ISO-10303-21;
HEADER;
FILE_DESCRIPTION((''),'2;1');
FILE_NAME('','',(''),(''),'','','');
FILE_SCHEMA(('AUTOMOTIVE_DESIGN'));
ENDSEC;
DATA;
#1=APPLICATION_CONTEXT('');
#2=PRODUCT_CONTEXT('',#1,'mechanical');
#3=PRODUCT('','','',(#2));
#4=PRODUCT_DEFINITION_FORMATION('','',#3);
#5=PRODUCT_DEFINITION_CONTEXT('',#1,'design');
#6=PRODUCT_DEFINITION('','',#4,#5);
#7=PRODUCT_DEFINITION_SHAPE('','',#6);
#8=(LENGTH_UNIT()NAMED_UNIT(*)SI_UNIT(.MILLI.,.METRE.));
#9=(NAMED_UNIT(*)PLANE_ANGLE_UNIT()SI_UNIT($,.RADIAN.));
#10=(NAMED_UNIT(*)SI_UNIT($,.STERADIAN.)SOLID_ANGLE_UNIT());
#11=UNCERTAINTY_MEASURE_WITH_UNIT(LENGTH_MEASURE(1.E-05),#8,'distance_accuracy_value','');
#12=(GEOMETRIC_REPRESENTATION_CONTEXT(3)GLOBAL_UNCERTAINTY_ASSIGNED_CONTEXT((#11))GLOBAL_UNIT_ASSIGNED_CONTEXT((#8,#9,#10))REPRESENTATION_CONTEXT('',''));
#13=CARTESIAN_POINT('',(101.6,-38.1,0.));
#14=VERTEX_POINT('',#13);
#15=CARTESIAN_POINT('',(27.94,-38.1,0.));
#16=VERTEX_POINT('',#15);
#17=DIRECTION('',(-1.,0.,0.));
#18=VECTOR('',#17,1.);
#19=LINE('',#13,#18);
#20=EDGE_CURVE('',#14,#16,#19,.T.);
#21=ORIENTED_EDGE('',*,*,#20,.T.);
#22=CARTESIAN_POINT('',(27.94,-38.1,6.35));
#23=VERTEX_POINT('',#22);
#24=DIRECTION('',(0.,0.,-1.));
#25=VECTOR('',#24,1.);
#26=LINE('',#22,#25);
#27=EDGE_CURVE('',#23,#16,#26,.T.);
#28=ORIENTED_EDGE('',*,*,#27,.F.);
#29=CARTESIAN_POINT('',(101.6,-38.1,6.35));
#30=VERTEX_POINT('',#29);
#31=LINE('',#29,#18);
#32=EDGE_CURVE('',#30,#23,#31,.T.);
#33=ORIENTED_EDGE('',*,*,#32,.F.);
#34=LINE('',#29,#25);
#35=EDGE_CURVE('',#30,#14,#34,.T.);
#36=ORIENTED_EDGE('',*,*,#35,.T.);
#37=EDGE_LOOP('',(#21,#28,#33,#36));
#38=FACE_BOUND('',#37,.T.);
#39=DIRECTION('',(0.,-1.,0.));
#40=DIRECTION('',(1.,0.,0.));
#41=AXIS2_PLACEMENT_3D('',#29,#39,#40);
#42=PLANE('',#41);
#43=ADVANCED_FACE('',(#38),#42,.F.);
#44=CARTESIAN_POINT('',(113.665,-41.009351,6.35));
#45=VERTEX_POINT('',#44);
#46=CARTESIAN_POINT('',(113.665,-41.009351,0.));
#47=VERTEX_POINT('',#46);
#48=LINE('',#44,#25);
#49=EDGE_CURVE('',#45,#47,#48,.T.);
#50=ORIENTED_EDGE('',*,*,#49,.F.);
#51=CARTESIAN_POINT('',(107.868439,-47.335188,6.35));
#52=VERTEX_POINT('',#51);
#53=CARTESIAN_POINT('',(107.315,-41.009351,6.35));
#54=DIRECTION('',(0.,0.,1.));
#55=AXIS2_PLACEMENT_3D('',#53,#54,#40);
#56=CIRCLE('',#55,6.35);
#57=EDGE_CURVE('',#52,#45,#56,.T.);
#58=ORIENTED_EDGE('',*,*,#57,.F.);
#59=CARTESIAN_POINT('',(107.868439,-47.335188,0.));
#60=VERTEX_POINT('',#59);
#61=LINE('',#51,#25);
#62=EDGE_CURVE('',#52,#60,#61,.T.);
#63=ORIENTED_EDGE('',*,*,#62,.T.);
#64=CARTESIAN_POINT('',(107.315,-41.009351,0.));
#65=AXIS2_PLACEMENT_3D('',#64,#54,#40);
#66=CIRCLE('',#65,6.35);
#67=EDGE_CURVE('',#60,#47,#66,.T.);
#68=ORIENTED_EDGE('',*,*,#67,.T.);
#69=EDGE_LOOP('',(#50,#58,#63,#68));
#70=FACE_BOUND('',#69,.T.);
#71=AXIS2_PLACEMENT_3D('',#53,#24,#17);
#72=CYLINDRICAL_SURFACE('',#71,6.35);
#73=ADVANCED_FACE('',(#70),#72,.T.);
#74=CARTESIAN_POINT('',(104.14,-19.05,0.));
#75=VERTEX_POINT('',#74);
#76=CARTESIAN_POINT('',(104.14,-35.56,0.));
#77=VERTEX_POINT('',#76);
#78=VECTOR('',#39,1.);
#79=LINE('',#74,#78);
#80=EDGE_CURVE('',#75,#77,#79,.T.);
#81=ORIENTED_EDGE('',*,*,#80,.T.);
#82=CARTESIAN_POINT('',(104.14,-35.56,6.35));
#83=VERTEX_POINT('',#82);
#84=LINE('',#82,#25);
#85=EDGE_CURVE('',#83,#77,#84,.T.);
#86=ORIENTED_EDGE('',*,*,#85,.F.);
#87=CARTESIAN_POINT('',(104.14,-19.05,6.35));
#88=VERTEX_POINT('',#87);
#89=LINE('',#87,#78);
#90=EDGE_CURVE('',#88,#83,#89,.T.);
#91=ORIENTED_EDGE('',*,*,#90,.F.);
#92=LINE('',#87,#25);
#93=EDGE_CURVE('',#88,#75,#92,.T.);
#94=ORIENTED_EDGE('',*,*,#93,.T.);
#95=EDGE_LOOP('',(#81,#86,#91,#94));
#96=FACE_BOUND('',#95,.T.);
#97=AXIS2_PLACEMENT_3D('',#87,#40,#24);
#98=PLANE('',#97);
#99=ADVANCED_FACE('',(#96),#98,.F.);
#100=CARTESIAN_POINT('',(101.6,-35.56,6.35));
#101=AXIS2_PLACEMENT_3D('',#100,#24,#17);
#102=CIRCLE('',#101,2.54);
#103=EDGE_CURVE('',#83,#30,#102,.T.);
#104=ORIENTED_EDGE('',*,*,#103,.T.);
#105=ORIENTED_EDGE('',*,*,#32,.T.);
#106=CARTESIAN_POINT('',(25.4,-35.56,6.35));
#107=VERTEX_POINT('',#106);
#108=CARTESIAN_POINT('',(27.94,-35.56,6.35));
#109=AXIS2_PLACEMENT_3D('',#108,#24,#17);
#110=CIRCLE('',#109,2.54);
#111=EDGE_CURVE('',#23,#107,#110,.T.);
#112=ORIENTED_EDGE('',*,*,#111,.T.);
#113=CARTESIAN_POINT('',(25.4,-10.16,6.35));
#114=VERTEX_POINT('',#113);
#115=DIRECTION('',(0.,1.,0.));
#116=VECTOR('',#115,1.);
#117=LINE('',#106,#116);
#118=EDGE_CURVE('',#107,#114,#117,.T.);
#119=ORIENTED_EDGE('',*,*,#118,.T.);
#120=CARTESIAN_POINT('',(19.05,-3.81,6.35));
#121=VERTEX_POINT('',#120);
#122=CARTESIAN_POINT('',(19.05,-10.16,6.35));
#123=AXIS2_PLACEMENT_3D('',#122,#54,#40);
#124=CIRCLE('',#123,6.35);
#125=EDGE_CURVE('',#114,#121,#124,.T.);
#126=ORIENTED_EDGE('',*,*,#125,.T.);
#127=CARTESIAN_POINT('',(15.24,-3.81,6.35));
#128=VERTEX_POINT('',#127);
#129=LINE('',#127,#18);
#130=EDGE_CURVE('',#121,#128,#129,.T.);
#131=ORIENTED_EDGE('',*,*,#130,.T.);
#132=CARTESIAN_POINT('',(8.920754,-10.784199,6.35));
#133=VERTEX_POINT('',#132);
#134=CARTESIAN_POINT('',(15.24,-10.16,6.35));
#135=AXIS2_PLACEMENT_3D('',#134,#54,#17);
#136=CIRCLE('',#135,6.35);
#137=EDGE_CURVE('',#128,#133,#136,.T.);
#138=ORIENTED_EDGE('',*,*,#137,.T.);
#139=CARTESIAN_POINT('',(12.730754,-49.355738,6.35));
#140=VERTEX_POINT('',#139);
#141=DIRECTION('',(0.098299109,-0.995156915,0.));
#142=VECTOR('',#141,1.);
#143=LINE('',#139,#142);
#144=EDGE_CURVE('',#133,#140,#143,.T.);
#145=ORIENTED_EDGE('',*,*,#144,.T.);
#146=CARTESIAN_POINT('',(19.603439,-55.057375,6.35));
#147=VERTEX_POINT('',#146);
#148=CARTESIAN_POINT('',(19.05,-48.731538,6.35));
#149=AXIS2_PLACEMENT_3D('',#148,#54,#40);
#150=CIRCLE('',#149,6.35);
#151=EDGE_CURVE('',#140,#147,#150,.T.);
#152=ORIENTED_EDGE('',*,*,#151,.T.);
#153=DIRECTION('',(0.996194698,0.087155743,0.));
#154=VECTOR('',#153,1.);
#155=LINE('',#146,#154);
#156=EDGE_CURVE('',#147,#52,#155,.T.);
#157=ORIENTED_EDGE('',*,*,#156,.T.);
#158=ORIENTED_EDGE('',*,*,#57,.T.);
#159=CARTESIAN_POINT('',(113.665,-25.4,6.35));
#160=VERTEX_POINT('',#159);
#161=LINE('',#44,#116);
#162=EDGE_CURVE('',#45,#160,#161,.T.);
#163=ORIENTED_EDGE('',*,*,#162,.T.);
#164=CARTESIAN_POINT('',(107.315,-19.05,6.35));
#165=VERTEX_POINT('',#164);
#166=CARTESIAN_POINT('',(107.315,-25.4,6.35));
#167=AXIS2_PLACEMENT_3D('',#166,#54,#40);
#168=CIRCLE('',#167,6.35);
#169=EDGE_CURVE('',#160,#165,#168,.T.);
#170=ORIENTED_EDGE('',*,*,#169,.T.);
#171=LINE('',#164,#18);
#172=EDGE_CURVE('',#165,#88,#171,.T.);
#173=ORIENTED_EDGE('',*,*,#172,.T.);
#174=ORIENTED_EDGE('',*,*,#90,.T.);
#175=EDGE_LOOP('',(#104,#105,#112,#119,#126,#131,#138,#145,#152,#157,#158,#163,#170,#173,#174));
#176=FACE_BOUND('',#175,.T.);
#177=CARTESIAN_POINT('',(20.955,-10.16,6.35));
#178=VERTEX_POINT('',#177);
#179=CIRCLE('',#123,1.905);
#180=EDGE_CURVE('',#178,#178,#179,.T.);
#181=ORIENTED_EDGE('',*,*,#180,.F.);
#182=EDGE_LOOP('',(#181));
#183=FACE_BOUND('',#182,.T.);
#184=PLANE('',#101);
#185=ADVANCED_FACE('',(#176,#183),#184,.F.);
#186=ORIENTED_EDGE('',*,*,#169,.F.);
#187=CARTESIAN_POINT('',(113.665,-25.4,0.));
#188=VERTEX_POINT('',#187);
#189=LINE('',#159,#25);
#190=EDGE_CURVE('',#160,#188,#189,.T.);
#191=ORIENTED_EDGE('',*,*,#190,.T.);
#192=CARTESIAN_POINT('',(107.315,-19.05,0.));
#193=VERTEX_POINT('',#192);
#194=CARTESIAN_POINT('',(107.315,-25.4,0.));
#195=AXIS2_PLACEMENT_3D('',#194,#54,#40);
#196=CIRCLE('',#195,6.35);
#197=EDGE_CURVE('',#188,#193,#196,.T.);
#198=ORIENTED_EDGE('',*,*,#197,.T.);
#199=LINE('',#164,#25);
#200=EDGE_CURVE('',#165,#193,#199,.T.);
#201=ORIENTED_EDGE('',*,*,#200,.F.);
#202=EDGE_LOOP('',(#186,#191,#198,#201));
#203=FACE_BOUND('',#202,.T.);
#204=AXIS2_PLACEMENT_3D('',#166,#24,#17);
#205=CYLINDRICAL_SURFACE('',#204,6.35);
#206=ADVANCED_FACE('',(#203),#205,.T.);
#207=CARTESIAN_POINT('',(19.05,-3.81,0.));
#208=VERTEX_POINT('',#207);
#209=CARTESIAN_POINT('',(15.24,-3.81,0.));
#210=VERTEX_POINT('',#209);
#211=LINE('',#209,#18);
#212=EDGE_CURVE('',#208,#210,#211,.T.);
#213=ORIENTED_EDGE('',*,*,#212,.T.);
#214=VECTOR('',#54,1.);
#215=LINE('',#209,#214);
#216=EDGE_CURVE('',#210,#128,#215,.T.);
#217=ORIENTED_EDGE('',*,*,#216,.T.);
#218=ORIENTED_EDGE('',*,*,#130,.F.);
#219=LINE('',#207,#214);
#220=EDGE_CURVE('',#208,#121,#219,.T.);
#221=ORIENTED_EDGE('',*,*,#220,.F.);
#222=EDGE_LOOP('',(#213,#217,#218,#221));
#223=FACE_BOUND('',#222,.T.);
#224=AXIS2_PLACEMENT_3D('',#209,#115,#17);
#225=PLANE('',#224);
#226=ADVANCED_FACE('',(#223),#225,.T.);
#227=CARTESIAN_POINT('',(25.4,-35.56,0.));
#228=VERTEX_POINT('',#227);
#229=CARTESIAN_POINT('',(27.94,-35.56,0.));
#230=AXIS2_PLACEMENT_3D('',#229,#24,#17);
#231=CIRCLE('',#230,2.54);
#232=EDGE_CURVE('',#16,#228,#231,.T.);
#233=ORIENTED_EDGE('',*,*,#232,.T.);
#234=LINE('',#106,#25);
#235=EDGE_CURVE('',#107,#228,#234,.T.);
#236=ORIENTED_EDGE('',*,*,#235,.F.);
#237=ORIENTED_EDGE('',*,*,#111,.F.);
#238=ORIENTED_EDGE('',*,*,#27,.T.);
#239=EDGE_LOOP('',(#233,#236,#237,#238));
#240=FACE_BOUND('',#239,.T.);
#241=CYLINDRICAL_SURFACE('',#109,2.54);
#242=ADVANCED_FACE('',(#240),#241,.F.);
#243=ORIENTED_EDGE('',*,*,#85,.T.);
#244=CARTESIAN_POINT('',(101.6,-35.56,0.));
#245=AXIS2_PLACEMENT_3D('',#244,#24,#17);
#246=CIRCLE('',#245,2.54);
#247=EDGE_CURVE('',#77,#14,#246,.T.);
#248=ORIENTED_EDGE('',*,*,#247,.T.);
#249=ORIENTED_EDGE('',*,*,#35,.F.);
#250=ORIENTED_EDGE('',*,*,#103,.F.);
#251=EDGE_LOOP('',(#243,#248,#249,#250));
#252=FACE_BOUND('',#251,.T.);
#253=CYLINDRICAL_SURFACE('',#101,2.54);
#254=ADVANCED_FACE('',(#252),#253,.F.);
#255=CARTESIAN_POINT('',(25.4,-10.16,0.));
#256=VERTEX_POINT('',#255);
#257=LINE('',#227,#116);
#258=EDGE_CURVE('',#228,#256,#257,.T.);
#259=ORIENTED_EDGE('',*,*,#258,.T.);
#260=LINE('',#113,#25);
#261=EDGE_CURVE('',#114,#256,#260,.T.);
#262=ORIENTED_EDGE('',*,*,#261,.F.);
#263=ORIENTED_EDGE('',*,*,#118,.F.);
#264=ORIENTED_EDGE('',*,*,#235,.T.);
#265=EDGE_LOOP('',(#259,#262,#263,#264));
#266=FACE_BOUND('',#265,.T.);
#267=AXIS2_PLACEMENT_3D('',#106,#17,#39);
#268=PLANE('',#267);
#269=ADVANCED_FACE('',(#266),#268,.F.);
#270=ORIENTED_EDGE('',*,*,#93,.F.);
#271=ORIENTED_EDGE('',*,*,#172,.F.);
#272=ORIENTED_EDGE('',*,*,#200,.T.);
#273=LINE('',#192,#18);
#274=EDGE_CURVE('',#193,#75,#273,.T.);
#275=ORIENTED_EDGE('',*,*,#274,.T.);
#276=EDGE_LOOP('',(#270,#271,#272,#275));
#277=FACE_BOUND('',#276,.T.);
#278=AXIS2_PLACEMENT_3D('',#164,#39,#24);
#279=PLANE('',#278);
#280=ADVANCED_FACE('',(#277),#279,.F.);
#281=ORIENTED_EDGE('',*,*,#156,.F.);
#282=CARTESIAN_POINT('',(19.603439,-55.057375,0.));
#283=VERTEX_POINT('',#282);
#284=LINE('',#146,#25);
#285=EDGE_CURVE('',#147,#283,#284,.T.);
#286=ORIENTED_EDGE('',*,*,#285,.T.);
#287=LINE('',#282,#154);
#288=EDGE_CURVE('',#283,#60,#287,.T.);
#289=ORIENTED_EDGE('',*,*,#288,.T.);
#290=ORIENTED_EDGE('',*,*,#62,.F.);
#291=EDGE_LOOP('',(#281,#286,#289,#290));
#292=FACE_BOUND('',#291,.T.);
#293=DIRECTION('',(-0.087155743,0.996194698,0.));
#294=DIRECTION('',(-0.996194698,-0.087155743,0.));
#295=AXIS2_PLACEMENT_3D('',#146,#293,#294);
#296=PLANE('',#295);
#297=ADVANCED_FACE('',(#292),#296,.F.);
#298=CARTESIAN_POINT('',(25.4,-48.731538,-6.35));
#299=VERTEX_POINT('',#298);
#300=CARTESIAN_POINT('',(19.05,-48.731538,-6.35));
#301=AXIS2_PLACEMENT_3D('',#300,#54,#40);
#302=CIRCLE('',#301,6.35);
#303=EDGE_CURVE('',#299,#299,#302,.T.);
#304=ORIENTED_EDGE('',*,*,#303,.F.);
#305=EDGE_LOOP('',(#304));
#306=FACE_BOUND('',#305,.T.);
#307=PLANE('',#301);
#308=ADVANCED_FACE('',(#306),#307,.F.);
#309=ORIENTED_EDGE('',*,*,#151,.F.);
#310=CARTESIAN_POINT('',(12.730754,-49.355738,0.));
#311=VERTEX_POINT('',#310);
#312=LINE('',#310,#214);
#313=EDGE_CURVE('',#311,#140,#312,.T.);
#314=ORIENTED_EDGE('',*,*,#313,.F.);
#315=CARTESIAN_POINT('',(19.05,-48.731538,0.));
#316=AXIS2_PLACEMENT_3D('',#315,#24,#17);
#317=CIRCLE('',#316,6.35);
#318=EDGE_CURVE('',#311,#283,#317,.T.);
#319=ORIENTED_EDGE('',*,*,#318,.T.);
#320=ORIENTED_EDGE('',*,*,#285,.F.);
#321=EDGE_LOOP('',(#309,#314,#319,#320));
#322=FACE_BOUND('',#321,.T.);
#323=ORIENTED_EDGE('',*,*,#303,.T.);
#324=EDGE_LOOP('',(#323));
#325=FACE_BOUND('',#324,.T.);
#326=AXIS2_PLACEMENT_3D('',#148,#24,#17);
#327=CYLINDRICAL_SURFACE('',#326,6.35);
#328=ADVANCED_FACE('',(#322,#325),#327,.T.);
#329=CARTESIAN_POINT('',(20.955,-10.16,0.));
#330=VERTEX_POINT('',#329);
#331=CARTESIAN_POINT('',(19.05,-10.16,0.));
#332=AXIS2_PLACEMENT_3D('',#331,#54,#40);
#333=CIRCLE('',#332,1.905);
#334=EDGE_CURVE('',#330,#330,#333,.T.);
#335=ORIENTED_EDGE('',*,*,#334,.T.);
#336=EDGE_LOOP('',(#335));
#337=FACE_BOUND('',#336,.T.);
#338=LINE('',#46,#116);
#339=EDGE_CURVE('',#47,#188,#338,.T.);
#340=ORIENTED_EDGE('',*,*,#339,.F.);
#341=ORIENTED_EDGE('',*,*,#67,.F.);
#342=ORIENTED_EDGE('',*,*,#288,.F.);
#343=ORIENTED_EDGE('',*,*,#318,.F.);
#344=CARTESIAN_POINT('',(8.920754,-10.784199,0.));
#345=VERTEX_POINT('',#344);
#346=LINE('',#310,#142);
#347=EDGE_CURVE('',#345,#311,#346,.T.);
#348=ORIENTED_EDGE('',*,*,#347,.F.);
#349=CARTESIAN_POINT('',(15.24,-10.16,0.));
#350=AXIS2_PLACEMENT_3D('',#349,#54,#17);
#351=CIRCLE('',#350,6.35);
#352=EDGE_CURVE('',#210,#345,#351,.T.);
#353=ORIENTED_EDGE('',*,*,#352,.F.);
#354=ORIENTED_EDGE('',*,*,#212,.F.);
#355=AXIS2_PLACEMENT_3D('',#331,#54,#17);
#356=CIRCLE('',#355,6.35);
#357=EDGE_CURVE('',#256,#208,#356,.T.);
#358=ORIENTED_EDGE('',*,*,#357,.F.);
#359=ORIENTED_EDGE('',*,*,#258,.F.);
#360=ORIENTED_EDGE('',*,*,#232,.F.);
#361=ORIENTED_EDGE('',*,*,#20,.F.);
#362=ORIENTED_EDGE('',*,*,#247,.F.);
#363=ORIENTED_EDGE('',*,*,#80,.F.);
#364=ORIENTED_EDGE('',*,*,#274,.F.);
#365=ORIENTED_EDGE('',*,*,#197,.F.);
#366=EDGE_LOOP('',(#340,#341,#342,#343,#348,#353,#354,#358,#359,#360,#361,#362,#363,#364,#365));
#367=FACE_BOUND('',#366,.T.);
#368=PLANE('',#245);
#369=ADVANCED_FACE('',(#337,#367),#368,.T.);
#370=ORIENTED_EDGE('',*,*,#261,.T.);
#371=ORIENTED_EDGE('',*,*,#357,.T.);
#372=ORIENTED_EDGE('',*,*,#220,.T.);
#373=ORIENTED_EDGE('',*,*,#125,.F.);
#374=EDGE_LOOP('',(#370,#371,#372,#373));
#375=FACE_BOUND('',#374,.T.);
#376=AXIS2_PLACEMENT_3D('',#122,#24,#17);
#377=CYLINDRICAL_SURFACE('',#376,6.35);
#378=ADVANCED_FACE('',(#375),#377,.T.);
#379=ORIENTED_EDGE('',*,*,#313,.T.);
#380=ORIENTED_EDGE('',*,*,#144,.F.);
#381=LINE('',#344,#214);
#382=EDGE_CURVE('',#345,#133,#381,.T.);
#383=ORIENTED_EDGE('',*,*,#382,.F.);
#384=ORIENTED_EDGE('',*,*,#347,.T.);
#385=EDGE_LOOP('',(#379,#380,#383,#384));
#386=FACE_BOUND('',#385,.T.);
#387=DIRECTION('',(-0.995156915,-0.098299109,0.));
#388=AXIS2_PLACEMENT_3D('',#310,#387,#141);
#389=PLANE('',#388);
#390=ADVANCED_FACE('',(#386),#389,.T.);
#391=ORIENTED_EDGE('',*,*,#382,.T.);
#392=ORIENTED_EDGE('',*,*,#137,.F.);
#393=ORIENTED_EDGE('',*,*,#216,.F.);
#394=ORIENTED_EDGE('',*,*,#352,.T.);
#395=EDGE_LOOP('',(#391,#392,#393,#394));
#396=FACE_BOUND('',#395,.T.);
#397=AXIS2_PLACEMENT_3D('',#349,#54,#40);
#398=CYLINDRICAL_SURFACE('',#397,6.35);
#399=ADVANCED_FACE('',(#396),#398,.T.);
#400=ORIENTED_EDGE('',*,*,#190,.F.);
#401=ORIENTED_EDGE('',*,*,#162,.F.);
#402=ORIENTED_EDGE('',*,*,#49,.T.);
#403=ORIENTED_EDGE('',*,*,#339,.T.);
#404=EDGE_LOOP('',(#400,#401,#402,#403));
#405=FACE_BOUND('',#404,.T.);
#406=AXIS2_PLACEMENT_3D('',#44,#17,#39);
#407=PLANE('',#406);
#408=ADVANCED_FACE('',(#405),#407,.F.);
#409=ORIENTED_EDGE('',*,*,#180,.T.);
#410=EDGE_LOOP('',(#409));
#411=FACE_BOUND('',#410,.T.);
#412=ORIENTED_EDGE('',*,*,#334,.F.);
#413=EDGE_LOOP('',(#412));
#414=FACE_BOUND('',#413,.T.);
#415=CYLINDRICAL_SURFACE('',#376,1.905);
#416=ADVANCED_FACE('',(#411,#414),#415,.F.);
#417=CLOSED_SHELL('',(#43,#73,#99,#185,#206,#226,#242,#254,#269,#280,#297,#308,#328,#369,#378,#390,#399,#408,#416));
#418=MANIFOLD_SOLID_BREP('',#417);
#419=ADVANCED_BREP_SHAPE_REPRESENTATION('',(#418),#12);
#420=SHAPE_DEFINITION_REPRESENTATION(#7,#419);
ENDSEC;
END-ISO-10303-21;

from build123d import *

# Parameters (mm, degrees)
SKETCH1_R           = 1.905
BOSS_EXTRUDE1_DEPTH = 6.35
SKETCH3_R           = 6.35
BOSS_EXTRUDE2_DEPTH = 12.7
BOSS_EXTRUDE3_DEPTH = 6.35


with BuildPart() as part:
    # Sketch1 → Boss-Extrude1 (new body)
    with BuildSketch(Plane.XY):
        with BuildLine():
            Line((12.7, -10.16), (12.7, -48.731538364))
            ThreePointArc((12.7, -48.731538364), (14.760002182, -53.413249452), (19.603438966, -55.057374697))
            Line((19.603438966, -55.057374697), (107.868438966, -47.33518781))
            ThreePointArc((107.868438966, -47.33518781), (111.996711089, -45.299349296), (113.665, -41.009351478))
            Line((113.665, -41.009351478), (113.665, -25.4))
            ThreePointArc((113.665, -25.4), (111.805128061, -20.909871939), (107.315, -19.05))
            Line((107.315, -19.05), (104.14, -19.05))
            Line((104.14, -19.05), (104.14, -35.56))
            ThreePointArc((104.14, -35.56), (103.396051224, -37.356051224), (101.6, -38.1))
            Line((101.6, -38.1), (27.94, -38.1))
            ThreePointArc((27.94, -38.1), (26.143948776, -37.356051224), (25.4, -35.56))
            Line((25.4, -35.56), (25.4, -10.16))
            ThreePointArc((25.4, -10.16), (23.540128061, -5.669871939), (19.05, -3.81))
            ThreePointArc((19.05, -3.81), (14.559871939, -5.669871939), (12.7, -10.16))
        make_face()
        with Locations((19.05, -10.16)):
            Circle(SKETCH1_R, mode=Mode.SUBTRACT)
    extrude(amount=BOSS_EXTRUDE1_DEPTH)

    # Sketch3 → Boss-Extrude2 (add)
    with BuildSketch(Plane.XY.offset(6.35)):
        with Locations(Location((19.05, -48.731538364, 0), (0, 0, 180))):
            Circle(SKETCH3_R)
    extrude(amount=-BOSS_EXTRUDE2_DEPTH)

    # Sketch6 → Boss-Extrude3 (add)
    with BuildSketch(Plane.XY.offset(6.35)):
        with BuildLine():
            Line((12.730753591, -49.355737704), (8.920753591, -10.784199341))
            ThreePointArc((8.920753591, -10.784199341), (10.534356271, -5.896267235), (15.24, -3.81))
            Line((15.24, -3.81), (19.05, -3.81))
            ThreePointArc((19.05, -3.81), (14.559871939, -5.669871939), (12.7, -10.16))
            Line((12.7, -10.16), (12.7, -48.731538364))
            ThreePointArc((12.7, -48.731538364), (12.707693058, -49.044016603), (12.730753591, -49.355737704))
        make_face()
    extrude(amount=-BOSS_EXTRUDE3_DEPTH)


solid = part.part
